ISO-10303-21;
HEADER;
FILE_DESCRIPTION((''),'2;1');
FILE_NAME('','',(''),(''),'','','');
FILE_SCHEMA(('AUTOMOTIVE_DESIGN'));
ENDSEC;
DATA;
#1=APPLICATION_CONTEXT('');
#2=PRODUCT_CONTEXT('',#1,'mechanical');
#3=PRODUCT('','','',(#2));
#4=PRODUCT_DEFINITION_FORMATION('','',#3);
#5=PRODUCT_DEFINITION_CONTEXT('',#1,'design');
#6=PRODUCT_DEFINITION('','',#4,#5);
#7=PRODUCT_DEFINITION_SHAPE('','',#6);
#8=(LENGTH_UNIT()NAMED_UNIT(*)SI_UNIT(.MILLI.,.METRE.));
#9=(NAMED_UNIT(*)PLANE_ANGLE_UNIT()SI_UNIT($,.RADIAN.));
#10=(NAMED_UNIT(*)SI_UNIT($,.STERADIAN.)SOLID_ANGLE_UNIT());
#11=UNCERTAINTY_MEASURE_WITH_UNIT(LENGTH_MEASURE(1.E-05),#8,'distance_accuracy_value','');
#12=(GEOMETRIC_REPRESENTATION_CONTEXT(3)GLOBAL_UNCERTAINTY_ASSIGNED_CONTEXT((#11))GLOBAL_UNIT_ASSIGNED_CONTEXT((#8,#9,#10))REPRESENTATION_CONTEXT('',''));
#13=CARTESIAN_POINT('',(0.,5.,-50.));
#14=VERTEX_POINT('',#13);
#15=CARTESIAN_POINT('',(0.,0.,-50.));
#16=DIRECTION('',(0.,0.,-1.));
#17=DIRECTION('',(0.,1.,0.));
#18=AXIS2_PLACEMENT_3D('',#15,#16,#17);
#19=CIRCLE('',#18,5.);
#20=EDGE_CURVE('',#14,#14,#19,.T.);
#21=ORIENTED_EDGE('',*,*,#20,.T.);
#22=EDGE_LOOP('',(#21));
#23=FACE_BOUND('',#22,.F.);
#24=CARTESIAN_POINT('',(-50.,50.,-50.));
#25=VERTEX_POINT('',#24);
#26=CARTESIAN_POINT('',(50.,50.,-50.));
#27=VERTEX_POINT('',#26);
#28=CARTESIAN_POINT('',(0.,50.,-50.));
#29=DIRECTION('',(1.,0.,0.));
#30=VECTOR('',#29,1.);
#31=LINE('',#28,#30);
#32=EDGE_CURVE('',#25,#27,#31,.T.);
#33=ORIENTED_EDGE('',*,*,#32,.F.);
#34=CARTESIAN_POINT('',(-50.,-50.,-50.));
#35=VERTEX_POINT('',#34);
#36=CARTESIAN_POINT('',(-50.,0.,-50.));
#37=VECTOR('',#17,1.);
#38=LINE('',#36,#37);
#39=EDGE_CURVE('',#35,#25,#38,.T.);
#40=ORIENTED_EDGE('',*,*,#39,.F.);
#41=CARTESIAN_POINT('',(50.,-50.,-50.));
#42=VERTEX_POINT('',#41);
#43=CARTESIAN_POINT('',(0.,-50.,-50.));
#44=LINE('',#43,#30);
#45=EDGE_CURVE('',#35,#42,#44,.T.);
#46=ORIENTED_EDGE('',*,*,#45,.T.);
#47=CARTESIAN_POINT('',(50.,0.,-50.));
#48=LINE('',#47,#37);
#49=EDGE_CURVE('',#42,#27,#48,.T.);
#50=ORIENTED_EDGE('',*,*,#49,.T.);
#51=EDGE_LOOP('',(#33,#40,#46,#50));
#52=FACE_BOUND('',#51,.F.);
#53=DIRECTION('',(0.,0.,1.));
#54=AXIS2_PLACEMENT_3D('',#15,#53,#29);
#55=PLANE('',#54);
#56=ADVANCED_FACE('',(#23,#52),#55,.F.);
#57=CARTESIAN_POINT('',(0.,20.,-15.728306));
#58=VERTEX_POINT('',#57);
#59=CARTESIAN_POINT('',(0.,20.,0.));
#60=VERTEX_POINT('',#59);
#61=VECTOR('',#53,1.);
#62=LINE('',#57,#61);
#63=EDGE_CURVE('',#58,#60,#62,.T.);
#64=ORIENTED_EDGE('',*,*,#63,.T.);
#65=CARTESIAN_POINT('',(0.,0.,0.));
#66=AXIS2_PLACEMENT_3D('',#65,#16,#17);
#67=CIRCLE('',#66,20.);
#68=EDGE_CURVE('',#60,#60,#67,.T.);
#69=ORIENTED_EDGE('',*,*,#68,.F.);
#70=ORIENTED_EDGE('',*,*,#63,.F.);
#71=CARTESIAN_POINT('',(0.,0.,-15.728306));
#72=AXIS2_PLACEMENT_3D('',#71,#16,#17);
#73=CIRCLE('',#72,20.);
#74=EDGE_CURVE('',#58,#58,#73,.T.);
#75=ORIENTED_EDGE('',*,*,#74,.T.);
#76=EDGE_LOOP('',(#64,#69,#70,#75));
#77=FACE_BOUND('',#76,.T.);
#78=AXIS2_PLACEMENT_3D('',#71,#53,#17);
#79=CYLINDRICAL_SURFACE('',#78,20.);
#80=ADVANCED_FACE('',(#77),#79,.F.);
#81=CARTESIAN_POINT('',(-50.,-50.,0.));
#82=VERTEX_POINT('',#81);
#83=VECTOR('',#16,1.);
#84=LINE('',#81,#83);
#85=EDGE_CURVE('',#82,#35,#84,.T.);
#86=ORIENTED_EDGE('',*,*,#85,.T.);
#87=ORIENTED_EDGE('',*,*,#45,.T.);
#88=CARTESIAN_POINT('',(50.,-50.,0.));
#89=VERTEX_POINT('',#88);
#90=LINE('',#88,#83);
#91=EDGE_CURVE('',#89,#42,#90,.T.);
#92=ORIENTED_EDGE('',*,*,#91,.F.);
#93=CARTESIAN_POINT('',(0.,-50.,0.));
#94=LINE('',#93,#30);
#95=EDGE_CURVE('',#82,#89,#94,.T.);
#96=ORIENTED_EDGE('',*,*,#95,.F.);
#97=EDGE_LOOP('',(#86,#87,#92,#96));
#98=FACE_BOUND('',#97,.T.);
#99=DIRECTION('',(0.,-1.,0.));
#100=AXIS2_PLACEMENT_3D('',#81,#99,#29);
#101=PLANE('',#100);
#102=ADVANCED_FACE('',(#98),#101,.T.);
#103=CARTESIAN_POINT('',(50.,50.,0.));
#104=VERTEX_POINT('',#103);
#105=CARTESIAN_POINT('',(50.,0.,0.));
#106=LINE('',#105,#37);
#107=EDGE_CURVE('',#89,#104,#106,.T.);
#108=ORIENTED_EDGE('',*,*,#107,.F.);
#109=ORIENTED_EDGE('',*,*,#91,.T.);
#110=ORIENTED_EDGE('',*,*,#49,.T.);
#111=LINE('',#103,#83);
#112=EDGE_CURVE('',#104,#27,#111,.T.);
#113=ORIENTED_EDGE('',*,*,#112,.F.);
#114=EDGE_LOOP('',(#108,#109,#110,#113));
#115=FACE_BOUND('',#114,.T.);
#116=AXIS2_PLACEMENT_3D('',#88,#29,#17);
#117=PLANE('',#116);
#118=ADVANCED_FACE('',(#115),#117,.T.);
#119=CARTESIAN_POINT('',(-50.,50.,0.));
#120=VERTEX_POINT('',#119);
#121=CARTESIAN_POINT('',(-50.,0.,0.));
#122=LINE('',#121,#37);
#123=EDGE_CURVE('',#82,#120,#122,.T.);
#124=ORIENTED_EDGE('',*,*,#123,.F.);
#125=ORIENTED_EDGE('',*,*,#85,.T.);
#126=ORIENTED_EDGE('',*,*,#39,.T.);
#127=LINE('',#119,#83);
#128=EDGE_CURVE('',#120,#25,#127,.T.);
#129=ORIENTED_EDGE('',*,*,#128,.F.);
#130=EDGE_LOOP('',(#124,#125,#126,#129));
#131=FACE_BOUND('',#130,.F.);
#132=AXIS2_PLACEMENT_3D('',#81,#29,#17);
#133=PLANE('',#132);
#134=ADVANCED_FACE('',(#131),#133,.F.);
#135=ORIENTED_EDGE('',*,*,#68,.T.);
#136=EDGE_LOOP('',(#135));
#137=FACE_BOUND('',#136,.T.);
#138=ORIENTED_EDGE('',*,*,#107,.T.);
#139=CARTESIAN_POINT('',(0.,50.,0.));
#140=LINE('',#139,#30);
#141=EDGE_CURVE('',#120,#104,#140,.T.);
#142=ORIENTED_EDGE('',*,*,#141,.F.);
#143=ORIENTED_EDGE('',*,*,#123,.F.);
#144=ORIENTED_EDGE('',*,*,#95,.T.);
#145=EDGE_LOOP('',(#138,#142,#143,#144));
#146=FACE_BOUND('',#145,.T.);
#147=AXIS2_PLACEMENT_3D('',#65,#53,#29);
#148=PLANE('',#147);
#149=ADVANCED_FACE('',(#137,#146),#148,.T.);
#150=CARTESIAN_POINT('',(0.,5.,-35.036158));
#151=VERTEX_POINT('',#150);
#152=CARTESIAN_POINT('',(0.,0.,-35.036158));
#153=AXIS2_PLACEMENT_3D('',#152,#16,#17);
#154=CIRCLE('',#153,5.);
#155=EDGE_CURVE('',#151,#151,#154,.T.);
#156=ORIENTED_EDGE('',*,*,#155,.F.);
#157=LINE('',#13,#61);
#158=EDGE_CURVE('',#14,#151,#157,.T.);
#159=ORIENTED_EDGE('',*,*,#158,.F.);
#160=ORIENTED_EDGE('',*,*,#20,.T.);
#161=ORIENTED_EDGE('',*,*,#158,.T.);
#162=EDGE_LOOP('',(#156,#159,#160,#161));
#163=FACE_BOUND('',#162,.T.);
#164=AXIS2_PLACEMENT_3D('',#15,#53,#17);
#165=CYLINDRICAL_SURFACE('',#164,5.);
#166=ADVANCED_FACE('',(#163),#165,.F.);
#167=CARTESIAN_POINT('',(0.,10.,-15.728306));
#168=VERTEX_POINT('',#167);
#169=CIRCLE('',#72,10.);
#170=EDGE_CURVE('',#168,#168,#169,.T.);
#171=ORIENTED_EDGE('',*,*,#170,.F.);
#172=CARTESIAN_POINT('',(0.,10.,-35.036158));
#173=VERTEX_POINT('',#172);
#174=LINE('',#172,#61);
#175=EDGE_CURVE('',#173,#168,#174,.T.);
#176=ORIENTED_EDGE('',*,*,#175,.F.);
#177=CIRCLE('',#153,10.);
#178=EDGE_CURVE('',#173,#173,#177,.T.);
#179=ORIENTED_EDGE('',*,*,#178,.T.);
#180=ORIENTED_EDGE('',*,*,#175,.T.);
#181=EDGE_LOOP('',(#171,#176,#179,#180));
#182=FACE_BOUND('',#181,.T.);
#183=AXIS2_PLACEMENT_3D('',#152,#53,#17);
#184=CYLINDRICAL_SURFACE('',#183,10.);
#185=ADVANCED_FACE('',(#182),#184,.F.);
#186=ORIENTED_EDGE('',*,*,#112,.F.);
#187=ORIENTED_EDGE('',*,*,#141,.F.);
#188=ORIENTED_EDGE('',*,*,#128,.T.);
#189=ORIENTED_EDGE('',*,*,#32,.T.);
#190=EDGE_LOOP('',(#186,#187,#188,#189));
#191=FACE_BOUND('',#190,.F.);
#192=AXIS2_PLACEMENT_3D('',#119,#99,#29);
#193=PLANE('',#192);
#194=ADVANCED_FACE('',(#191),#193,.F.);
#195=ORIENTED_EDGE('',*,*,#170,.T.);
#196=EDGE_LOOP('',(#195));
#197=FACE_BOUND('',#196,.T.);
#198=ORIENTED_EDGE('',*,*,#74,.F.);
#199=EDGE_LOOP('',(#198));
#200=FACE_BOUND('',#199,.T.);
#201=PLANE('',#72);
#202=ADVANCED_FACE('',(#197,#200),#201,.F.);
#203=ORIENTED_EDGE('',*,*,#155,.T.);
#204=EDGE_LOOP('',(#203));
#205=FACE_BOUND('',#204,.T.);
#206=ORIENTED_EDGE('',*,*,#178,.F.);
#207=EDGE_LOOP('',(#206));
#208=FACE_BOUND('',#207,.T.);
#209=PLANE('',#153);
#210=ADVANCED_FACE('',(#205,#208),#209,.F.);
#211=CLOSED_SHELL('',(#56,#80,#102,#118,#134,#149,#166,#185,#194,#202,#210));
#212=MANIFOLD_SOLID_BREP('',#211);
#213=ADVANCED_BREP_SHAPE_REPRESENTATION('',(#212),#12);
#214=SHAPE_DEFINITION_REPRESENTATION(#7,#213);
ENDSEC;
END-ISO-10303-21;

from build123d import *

# Parameters (mm, degrees)
F0_W     = 100
F0_H     = 100
F1_DEPTH = 50


with BuildPart() as f1:
    # F0 (on Top) → F1 (new body)
    with BuildSketch(Plane.XY):
        Rectangle(F0_W, F0_H)
    extrude(amount=-F1_DEPTH)

    # F2 (on Right) → F3 (revolve, cut)
    with BuildSketch(Plane.YZ):
        Polygon((20, 0), (0, 0), (0, -50), (5, -50), (5, -35.036158), (10, -35.036158), (10, -15.728306), (20, -15.728306), align=None)
    revolve(axis=Axis((0, 0, 12.636881), (0, 0, -1)), mode=Mode.SUBTRACT)


solid = f1.part
